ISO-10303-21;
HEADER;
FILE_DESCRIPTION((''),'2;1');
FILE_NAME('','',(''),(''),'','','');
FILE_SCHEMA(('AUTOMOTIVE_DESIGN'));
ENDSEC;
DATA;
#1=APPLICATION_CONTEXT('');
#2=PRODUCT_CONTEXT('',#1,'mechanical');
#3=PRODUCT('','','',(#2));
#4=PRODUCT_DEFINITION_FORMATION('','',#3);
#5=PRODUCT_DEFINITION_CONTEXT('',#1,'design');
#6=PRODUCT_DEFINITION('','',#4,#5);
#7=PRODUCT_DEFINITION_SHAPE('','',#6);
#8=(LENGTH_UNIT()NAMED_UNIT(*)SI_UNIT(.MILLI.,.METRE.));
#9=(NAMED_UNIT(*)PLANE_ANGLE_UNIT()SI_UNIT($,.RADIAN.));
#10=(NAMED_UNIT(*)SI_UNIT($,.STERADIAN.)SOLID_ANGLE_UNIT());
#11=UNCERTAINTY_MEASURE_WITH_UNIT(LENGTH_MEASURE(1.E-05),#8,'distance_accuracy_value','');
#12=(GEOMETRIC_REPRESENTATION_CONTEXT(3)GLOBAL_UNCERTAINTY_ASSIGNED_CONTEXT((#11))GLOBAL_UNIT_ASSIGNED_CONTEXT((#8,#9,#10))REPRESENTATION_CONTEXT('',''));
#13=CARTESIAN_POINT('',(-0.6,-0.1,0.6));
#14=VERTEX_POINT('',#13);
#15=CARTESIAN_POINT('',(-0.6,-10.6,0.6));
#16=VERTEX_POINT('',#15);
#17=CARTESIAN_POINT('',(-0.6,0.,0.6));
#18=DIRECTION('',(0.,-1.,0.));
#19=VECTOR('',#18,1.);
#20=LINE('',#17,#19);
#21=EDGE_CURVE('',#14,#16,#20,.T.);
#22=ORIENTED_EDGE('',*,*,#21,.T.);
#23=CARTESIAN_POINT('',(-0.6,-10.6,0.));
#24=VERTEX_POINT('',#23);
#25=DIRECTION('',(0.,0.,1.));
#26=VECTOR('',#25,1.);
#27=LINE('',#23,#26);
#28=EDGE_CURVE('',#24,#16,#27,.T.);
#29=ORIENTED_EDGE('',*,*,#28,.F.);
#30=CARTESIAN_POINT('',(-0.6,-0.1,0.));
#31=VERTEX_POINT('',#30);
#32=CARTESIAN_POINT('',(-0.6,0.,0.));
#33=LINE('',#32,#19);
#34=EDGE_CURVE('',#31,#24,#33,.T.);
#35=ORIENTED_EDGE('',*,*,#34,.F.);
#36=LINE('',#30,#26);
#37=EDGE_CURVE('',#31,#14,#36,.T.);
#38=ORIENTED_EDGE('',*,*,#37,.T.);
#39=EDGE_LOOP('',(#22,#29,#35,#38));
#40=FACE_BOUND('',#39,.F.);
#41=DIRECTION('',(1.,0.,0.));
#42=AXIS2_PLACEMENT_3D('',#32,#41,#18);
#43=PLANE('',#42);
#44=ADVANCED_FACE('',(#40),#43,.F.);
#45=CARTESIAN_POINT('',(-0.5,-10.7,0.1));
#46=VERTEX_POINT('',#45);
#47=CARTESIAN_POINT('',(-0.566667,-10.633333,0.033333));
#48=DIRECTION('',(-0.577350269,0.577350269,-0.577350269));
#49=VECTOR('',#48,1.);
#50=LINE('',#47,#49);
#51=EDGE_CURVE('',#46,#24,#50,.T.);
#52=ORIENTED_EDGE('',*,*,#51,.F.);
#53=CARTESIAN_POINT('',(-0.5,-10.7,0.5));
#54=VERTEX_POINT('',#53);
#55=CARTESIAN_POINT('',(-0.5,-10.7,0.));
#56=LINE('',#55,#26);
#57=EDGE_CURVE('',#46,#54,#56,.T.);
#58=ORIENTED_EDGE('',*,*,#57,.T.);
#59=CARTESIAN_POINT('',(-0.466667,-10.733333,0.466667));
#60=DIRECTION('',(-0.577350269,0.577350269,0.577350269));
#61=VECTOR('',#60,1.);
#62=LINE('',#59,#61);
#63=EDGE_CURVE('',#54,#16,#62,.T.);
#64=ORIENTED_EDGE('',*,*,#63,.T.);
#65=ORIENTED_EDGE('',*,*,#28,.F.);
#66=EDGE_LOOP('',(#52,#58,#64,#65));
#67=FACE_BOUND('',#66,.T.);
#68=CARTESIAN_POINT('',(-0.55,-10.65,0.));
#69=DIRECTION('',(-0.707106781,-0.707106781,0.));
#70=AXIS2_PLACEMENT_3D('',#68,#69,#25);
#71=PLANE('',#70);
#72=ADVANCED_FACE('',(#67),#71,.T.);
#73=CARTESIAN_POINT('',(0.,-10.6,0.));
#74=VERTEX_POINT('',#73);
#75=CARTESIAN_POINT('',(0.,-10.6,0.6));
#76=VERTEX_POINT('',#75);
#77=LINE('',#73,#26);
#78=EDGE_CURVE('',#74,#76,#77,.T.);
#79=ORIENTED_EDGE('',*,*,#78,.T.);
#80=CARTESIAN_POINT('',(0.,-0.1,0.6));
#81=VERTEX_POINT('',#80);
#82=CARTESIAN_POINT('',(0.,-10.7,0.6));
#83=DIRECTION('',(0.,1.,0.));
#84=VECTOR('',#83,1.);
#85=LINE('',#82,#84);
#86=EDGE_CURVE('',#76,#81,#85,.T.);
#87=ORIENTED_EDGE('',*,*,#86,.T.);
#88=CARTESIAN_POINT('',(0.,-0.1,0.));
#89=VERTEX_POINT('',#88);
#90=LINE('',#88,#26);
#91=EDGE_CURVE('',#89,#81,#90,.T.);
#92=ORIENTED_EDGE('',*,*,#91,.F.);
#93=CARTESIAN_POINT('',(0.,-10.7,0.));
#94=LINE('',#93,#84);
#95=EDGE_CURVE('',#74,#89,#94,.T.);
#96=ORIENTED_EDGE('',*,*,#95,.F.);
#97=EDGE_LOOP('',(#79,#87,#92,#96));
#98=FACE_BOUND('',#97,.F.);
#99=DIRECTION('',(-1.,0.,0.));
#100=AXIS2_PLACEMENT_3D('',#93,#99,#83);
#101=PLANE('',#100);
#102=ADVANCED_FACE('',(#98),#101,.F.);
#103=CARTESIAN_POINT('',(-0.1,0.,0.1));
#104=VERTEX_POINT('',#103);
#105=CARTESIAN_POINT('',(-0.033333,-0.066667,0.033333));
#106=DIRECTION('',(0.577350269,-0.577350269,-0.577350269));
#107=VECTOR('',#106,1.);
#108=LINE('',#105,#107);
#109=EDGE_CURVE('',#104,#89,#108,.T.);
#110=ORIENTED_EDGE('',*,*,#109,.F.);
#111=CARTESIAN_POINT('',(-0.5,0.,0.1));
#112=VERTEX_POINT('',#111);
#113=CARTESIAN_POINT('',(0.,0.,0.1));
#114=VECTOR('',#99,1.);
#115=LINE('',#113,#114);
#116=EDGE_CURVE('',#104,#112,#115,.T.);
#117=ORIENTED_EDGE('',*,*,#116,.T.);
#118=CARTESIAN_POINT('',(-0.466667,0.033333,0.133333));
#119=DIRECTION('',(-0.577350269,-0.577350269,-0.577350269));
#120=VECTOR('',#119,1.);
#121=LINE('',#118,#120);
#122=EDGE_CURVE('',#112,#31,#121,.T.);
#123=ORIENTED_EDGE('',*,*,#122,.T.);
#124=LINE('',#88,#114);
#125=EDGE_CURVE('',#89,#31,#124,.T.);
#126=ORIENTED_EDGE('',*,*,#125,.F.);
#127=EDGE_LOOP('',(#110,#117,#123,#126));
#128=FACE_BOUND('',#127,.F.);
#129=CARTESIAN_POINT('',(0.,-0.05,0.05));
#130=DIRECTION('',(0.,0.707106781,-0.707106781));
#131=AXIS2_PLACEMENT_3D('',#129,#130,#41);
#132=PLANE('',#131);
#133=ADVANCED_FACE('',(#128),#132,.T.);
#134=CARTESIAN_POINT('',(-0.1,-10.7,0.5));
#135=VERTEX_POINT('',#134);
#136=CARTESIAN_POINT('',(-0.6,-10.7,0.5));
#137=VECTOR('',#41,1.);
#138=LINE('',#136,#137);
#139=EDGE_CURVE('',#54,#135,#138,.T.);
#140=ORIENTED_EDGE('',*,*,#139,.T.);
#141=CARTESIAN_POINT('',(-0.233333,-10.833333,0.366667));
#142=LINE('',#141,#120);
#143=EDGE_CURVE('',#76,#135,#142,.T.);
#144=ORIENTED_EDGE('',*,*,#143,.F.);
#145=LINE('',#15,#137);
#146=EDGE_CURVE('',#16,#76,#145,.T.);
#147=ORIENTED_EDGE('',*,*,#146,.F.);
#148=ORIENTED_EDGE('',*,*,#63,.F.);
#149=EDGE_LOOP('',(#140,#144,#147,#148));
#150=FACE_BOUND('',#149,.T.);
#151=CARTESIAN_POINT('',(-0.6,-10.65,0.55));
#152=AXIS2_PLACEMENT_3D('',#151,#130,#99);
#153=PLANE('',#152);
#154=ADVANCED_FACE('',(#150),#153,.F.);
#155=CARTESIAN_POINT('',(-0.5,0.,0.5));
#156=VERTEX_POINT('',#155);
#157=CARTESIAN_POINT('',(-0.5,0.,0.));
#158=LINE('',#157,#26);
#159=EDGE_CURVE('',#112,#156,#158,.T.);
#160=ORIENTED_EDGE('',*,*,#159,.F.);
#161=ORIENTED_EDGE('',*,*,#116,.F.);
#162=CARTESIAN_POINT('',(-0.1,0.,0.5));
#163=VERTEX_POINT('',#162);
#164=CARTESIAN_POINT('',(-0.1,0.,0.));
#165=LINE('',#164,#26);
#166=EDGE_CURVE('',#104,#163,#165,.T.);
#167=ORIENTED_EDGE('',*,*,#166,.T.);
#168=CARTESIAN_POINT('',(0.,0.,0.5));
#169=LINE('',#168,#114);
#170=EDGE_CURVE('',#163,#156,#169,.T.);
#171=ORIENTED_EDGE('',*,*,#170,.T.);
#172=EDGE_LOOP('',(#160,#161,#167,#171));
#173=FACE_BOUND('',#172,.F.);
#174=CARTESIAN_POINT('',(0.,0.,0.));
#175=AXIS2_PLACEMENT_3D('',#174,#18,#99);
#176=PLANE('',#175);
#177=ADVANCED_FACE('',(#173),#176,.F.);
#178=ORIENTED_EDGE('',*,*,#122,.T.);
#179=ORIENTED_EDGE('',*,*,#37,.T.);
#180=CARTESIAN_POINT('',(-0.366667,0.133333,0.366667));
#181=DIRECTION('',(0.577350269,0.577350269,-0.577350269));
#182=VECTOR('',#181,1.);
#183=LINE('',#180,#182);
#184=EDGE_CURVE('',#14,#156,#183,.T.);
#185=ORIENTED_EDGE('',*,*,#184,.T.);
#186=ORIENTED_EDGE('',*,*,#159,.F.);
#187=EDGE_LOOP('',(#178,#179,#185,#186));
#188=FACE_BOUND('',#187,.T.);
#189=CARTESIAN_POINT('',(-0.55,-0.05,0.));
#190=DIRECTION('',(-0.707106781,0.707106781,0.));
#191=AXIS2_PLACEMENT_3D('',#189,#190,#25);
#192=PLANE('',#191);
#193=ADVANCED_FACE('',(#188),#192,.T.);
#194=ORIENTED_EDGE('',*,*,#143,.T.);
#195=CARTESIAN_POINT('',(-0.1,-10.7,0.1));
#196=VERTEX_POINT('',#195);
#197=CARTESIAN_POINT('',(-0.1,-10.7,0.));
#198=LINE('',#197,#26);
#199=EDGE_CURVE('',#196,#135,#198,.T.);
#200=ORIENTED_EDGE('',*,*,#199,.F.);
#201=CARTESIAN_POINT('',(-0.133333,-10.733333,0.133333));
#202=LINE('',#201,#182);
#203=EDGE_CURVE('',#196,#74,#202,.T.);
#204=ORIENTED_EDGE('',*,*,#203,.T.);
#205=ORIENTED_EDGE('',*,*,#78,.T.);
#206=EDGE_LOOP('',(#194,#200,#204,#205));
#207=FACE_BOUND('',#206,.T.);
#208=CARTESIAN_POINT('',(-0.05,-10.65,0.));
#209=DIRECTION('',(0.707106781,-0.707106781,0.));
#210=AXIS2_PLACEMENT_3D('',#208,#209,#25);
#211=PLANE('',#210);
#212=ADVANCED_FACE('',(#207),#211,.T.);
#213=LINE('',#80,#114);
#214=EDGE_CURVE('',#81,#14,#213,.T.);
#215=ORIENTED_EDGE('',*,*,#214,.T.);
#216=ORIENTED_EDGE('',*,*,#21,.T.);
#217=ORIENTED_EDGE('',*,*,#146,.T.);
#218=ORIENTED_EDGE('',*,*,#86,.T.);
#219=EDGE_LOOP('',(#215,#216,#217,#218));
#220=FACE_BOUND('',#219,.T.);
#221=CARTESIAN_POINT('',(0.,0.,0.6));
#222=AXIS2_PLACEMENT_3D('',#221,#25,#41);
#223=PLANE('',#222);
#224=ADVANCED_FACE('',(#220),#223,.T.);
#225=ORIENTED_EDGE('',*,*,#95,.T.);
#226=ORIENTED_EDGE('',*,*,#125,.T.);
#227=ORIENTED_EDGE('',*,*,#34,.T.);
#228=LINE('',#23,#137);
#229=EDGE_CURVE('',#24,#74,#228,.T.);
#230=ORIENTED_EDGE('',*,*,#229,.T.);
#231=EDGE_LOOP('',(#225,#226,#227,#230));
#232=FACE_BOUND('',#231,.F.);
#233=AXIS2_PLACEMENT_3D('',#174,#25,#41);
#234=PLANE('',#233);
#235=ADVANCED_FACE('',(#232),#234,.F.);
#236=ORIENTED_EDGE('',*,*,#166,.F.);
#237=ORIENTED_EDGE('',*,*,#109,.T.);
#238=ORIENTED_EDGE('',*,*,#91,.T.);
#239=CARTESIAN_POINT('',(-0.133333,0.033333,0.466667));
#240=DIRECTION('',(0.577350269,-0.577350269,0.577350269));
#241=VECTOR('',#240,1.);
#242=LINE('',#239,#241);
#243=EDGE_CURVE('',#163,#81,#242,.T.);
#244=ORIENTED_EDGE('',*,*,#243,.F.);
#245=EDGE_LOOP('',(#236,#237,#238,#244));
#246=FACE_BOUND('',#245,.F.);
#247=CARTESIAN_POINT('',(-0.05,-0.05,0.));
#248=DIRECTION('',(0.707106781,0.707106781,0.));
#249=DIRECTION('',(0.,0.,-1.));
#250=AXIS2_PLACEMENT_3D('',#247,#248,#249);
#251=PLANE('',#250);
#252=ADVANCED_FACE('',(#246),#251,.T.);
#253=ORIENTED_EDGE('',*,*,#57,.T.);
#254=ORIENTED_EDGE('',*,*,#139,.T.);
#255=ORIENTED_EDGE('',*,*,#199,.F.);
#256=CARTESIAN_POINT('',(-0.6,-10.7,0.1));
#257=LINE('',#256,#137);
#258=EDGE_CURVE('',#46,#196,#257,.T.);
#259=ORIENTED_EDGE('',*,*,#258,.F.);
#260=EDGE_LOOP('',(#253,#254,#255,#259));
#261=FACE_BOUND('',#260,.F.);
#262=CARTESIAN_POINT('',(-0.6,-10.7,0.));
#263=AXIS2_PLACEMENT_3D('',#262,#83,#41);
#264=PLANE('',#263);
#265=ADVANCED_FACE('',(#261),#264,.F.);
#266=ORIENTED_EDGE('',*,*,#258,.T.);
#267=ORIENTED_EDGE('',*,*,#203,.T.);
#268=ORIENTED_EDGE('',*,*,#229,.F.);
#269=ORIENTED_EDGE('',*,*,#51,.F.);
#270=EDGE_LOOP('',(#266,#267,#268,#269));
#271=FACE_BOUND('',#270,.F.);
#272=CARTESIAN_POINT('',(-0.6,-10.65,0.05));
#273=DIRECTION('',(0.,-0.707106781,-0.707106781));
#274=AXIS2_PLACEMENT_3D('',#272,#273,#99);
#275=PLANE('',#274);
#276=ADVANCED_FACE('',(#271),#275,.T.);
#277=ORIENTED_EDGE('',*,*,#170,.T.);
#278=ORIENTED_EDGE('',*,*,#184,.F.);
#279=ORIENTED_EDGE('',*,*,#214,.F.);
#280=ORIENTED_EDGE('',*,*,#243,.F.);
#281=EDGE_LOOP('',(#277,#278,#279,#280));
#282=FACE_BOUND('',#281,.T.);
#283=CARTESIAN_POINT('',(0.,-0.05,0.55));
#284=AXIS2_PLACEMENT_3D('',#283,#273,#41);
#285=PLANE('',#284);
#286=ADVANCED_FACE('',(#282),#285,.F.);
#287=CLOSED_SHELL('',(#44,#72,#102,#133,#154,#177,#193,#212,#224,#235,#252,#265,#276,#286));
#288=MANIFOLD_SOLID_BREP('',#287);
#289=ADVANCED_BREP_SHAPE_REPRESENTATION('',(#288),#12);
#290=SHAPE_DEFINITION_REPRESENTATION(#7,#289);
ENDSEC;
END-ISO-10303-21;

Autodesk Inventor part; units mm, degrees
ref_plane "YZ Plane" through (0, 0, 0) normal (1, 0, 0) x (0, 1, 0)
ref_plane "XZ Plane" through (0, 0, 0) normal (0, 1, 0) x (-1, 0, 0)
ref_plane "XY Plane" through (0, 0, 0) normal (0, 0, 1) x (1, 0, 0)
sketch "Skizze1" plane through (0, 0, 0) normal (0, 0, 1) x (1, 0, 0)
  line L0 (0, 0) -> (-0.6, 0)
  line L1 (-0.6, 0) -> (-0.6, -10.7)
  line L2 (-0.6, -10.7) -> (0, -10.7)
  line L3 (0, -10.7) -> (0, 0)
  dimension "d0" = 0.6
  dimension "d1" = 10.7
extrude "Grobblech1" add sketch "Skizze1" along normal blind 0.6
chamfer "Fase1" distance 0.1 angle 45 8 edges at (-0.6, -10.7, 0.3) (-0.3, -10.7, 0) (0, -10.7, 0.3) (-0.3, -10.7, 0.6) (-0.3, 0, 0) (-0.6, 0, 0.3) (-0.3, 0, 0.6) (0, 0, 0.3)
sketch "Skizze2" plane through (-0.5, -10.7, 0.1) normal (0, -1, 0) x (1, 0, 0)
  line L0 (0.4, 0) -> (0, 0) projected
  line L1 (0.4, 0.4) -> (0.4, 0) projected
  line L2 (0, 0.4) -> (0.4, 0.4) projected
  line L3 (0, 0) -> (0, 0.4) projected
  point P0 (0.5, -0.1)
  point P1 (0.2, 0.2)
  point P2 (0, 0.2)
  point P3 (0.2, 0.4)
sketch "Skizze3" plane through (-0.5, 0, 0.1) normal (0, 1, 0) x (1, 0, 0)
  line L0 (0, 0) -> (0.4, 0) construction
  line L1 (0, -0.4) -> (0, 0) construction
  line L2 (0.4, -0.4) -> (0, -0.4) construction
  line L3 (0.4, 0) -> (0.4, -0.4) construction
  point P0 (0.5, 0.1)
  point P1 (0.2, -0.2)
  point P2 (0, -0.2)
  point P3 (0.2, -0.4)
equation "\"d2\" = Stärke"
equation "\"Biegeradius\" = Stärke"
equation "\"BreiteBiegungsfreistellung\" = Stärke"
equation "\"TiefeBiegungsfreistellung\" = 0.5 * Stärke"
equation "\"GrößeEckenfreistellung\" = 4 * Stärke"
equation "\"MinimalRest\" = 2 * Stärke"
equation "\"Übergangsradius\" = Biegeradius"
equation "\"JacobiRadiusGröße\" = Biegeradius"
equation "\"Abstandsgröße\" = Stärke"
equation "\"Stärke\" = 0.6"
properties part number "Pins" material "Aluminium 6061"
